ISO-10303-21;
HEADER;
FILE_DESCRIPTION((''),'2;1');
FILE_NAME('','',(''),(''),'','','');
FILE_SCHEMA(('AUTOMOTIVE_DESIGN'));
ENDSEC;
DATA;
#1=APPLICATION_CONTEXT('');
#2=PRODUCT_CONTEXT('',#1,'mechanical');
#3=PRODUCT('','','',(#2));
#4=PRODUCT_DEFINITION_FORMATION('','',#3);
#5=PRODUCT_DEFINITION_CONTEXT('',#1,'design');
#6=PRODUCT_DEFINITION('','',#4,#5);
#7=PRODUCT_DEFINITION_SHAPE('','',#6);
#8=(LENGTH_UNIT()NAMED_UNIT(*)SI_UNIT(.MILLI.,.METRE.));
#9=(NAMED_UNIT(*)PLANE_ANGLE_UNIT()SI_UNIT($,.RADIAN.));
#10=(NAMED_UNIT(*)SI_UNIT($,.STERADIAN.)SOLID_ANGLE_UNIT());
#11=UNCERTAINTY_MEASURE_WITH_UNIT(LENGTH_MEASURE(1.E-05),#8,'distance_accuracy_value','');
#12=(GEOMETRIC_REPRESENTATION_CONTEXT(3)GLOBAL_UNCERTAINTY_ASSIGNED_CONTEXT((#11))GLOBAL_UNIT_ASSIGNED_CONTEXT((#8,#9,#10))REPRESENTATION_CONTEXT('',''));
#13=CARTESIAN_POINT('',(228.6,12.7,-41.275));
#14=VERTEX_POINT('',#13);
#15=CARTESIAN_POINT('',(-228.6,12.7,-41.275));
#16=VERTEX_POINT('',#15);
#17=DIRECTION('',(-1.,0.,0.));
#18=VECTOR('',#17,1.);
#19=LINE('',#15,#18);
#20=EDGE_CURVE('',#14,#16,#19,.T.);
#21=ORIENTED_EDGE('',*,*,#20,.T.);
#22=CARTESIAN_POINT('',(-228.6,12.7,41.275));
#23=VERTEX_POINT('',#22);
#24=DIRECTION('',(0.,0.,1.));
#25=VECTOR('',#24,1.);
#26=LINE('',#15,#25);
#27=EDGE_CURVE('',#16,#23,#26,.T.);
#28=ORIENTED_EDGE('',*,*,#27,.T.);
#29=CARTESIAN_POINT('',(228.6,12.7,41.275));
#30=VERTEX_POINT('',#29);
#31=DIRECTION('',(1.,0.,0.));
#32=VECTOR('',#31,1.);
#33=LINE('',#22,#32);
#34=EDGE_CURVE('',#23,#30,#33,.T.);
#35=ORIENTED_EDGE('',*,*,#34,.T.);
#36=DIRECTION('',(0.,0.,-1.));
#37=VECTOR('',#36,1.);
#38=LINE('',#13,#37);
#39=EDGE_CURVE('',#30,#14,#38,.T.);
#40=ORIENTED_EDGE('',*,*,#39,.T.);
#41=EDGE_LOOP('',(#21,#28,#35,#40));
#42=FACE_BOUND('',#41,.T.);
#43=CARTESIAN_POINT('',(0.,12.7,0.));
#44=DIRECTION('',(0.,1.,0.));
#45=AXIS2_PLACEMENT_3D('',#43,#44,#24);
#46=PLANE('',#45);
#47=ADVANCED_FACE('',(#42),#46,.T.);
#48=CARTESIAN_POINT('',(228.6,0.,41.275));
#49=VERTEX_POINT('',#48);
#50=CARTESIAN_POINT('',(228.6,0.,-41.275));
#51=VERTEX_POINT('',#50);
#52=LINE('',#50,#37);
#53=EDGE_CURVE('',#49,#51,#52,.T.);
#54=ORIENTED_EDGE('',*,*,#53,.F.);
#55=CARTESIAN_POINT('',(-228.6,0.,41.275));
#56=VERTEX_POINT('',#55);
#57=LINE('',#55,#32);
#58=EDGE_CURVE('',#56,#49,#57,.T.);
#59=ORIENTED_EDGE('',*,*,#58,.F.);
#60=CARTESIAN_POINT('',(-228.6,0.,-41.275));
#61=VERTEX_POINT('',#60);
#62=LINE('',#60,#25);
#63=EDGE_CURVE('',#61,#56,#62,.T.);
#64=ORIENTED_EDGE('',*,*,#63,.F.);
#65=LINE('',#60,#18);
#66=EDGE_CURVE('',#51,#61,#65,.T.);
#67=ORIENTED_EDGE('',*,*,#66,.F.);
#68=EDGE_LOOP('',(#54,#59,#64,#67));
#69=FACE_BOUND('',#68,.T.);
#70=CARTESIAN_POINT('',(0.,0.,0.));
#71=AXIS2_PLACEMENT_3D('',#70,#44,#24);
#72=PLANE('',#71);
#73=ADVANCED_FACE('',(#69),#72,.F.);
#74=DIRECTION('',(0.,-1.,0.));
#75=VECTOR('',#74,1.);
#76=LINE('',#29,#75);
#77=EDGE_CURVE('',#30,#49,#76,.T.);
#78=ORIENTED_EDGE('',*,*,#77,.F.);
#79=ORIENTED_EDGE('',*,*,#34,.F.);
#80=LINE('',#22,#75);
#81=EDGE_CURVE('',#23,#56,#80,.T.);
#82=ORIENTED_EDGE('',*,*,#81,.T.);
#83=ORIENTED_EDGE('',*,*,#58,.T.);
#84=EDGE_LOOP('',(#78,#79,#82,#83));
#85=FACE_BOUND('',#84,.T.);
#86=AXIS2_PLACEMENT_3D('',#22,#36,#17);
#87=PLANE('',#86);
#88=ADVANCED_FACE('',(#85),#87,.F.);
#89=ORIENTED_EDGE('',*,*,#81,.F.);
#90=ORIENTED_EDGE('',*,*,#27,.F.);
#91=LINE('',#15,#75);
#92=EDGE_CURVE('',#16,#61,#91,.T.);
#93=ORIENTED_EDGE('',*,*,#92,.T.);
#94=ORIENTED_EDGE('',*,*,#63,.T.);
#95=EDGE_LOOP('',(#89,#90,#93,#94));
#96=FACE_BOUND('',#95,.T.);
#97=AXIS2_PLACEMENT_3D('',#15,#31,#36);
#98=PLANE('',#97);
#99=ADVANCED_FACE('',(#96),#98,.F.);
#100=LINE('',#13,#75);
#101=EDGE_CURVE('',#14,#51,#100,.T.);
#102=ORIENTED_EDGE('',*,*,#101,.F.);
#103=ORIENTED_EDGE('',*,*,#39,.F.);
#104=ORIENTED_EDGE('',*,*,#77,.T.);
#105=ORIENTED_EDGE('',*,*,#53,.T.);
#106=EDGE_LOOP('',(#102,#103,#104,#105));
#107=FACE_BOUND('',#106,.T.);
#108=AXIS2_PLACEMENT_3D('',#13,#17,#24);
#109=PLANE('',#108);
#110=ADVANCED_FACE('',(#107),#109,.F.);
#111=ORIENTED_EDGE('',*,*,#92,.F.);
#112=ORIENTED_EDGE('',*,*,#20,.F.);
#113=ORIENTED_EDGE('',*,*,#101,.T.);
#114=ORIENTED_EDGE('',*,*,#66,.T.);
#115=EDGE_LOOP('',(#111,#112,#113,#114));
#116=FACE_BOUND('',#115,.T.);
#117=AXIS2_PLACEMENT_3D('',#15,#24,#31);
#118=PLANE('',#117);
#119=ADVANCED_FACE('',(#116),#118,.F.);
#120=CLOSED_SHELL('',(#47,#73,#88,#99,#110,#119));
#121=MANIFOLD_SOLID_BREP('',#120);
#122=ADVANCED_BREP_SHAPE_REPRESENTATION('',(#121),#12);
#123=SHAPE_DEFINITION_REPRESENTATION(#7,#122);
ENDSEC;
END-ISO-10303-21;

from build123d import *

# Parameters (mm, degrees)
ESQUISSE1_W        = 457.2
ESQUISSE1_H        = 82.55
BOSS_EXTRU_1_DEPTH = 12.7


with BuildPart() as part:
    # Esquisse1 → Boss.-Extru.1 (new body)
    with BuildSketch(Plane(origin=(0, 0, 0), x_dir=(1, 0, 0), z_dir=(0, 1, 0))):
        Rectangle(ESQUISSE1_W, ESQUISSE1_H)
    extrude(amount=BOSS_EXTRU_1_DEPTH)


solid = part.part
